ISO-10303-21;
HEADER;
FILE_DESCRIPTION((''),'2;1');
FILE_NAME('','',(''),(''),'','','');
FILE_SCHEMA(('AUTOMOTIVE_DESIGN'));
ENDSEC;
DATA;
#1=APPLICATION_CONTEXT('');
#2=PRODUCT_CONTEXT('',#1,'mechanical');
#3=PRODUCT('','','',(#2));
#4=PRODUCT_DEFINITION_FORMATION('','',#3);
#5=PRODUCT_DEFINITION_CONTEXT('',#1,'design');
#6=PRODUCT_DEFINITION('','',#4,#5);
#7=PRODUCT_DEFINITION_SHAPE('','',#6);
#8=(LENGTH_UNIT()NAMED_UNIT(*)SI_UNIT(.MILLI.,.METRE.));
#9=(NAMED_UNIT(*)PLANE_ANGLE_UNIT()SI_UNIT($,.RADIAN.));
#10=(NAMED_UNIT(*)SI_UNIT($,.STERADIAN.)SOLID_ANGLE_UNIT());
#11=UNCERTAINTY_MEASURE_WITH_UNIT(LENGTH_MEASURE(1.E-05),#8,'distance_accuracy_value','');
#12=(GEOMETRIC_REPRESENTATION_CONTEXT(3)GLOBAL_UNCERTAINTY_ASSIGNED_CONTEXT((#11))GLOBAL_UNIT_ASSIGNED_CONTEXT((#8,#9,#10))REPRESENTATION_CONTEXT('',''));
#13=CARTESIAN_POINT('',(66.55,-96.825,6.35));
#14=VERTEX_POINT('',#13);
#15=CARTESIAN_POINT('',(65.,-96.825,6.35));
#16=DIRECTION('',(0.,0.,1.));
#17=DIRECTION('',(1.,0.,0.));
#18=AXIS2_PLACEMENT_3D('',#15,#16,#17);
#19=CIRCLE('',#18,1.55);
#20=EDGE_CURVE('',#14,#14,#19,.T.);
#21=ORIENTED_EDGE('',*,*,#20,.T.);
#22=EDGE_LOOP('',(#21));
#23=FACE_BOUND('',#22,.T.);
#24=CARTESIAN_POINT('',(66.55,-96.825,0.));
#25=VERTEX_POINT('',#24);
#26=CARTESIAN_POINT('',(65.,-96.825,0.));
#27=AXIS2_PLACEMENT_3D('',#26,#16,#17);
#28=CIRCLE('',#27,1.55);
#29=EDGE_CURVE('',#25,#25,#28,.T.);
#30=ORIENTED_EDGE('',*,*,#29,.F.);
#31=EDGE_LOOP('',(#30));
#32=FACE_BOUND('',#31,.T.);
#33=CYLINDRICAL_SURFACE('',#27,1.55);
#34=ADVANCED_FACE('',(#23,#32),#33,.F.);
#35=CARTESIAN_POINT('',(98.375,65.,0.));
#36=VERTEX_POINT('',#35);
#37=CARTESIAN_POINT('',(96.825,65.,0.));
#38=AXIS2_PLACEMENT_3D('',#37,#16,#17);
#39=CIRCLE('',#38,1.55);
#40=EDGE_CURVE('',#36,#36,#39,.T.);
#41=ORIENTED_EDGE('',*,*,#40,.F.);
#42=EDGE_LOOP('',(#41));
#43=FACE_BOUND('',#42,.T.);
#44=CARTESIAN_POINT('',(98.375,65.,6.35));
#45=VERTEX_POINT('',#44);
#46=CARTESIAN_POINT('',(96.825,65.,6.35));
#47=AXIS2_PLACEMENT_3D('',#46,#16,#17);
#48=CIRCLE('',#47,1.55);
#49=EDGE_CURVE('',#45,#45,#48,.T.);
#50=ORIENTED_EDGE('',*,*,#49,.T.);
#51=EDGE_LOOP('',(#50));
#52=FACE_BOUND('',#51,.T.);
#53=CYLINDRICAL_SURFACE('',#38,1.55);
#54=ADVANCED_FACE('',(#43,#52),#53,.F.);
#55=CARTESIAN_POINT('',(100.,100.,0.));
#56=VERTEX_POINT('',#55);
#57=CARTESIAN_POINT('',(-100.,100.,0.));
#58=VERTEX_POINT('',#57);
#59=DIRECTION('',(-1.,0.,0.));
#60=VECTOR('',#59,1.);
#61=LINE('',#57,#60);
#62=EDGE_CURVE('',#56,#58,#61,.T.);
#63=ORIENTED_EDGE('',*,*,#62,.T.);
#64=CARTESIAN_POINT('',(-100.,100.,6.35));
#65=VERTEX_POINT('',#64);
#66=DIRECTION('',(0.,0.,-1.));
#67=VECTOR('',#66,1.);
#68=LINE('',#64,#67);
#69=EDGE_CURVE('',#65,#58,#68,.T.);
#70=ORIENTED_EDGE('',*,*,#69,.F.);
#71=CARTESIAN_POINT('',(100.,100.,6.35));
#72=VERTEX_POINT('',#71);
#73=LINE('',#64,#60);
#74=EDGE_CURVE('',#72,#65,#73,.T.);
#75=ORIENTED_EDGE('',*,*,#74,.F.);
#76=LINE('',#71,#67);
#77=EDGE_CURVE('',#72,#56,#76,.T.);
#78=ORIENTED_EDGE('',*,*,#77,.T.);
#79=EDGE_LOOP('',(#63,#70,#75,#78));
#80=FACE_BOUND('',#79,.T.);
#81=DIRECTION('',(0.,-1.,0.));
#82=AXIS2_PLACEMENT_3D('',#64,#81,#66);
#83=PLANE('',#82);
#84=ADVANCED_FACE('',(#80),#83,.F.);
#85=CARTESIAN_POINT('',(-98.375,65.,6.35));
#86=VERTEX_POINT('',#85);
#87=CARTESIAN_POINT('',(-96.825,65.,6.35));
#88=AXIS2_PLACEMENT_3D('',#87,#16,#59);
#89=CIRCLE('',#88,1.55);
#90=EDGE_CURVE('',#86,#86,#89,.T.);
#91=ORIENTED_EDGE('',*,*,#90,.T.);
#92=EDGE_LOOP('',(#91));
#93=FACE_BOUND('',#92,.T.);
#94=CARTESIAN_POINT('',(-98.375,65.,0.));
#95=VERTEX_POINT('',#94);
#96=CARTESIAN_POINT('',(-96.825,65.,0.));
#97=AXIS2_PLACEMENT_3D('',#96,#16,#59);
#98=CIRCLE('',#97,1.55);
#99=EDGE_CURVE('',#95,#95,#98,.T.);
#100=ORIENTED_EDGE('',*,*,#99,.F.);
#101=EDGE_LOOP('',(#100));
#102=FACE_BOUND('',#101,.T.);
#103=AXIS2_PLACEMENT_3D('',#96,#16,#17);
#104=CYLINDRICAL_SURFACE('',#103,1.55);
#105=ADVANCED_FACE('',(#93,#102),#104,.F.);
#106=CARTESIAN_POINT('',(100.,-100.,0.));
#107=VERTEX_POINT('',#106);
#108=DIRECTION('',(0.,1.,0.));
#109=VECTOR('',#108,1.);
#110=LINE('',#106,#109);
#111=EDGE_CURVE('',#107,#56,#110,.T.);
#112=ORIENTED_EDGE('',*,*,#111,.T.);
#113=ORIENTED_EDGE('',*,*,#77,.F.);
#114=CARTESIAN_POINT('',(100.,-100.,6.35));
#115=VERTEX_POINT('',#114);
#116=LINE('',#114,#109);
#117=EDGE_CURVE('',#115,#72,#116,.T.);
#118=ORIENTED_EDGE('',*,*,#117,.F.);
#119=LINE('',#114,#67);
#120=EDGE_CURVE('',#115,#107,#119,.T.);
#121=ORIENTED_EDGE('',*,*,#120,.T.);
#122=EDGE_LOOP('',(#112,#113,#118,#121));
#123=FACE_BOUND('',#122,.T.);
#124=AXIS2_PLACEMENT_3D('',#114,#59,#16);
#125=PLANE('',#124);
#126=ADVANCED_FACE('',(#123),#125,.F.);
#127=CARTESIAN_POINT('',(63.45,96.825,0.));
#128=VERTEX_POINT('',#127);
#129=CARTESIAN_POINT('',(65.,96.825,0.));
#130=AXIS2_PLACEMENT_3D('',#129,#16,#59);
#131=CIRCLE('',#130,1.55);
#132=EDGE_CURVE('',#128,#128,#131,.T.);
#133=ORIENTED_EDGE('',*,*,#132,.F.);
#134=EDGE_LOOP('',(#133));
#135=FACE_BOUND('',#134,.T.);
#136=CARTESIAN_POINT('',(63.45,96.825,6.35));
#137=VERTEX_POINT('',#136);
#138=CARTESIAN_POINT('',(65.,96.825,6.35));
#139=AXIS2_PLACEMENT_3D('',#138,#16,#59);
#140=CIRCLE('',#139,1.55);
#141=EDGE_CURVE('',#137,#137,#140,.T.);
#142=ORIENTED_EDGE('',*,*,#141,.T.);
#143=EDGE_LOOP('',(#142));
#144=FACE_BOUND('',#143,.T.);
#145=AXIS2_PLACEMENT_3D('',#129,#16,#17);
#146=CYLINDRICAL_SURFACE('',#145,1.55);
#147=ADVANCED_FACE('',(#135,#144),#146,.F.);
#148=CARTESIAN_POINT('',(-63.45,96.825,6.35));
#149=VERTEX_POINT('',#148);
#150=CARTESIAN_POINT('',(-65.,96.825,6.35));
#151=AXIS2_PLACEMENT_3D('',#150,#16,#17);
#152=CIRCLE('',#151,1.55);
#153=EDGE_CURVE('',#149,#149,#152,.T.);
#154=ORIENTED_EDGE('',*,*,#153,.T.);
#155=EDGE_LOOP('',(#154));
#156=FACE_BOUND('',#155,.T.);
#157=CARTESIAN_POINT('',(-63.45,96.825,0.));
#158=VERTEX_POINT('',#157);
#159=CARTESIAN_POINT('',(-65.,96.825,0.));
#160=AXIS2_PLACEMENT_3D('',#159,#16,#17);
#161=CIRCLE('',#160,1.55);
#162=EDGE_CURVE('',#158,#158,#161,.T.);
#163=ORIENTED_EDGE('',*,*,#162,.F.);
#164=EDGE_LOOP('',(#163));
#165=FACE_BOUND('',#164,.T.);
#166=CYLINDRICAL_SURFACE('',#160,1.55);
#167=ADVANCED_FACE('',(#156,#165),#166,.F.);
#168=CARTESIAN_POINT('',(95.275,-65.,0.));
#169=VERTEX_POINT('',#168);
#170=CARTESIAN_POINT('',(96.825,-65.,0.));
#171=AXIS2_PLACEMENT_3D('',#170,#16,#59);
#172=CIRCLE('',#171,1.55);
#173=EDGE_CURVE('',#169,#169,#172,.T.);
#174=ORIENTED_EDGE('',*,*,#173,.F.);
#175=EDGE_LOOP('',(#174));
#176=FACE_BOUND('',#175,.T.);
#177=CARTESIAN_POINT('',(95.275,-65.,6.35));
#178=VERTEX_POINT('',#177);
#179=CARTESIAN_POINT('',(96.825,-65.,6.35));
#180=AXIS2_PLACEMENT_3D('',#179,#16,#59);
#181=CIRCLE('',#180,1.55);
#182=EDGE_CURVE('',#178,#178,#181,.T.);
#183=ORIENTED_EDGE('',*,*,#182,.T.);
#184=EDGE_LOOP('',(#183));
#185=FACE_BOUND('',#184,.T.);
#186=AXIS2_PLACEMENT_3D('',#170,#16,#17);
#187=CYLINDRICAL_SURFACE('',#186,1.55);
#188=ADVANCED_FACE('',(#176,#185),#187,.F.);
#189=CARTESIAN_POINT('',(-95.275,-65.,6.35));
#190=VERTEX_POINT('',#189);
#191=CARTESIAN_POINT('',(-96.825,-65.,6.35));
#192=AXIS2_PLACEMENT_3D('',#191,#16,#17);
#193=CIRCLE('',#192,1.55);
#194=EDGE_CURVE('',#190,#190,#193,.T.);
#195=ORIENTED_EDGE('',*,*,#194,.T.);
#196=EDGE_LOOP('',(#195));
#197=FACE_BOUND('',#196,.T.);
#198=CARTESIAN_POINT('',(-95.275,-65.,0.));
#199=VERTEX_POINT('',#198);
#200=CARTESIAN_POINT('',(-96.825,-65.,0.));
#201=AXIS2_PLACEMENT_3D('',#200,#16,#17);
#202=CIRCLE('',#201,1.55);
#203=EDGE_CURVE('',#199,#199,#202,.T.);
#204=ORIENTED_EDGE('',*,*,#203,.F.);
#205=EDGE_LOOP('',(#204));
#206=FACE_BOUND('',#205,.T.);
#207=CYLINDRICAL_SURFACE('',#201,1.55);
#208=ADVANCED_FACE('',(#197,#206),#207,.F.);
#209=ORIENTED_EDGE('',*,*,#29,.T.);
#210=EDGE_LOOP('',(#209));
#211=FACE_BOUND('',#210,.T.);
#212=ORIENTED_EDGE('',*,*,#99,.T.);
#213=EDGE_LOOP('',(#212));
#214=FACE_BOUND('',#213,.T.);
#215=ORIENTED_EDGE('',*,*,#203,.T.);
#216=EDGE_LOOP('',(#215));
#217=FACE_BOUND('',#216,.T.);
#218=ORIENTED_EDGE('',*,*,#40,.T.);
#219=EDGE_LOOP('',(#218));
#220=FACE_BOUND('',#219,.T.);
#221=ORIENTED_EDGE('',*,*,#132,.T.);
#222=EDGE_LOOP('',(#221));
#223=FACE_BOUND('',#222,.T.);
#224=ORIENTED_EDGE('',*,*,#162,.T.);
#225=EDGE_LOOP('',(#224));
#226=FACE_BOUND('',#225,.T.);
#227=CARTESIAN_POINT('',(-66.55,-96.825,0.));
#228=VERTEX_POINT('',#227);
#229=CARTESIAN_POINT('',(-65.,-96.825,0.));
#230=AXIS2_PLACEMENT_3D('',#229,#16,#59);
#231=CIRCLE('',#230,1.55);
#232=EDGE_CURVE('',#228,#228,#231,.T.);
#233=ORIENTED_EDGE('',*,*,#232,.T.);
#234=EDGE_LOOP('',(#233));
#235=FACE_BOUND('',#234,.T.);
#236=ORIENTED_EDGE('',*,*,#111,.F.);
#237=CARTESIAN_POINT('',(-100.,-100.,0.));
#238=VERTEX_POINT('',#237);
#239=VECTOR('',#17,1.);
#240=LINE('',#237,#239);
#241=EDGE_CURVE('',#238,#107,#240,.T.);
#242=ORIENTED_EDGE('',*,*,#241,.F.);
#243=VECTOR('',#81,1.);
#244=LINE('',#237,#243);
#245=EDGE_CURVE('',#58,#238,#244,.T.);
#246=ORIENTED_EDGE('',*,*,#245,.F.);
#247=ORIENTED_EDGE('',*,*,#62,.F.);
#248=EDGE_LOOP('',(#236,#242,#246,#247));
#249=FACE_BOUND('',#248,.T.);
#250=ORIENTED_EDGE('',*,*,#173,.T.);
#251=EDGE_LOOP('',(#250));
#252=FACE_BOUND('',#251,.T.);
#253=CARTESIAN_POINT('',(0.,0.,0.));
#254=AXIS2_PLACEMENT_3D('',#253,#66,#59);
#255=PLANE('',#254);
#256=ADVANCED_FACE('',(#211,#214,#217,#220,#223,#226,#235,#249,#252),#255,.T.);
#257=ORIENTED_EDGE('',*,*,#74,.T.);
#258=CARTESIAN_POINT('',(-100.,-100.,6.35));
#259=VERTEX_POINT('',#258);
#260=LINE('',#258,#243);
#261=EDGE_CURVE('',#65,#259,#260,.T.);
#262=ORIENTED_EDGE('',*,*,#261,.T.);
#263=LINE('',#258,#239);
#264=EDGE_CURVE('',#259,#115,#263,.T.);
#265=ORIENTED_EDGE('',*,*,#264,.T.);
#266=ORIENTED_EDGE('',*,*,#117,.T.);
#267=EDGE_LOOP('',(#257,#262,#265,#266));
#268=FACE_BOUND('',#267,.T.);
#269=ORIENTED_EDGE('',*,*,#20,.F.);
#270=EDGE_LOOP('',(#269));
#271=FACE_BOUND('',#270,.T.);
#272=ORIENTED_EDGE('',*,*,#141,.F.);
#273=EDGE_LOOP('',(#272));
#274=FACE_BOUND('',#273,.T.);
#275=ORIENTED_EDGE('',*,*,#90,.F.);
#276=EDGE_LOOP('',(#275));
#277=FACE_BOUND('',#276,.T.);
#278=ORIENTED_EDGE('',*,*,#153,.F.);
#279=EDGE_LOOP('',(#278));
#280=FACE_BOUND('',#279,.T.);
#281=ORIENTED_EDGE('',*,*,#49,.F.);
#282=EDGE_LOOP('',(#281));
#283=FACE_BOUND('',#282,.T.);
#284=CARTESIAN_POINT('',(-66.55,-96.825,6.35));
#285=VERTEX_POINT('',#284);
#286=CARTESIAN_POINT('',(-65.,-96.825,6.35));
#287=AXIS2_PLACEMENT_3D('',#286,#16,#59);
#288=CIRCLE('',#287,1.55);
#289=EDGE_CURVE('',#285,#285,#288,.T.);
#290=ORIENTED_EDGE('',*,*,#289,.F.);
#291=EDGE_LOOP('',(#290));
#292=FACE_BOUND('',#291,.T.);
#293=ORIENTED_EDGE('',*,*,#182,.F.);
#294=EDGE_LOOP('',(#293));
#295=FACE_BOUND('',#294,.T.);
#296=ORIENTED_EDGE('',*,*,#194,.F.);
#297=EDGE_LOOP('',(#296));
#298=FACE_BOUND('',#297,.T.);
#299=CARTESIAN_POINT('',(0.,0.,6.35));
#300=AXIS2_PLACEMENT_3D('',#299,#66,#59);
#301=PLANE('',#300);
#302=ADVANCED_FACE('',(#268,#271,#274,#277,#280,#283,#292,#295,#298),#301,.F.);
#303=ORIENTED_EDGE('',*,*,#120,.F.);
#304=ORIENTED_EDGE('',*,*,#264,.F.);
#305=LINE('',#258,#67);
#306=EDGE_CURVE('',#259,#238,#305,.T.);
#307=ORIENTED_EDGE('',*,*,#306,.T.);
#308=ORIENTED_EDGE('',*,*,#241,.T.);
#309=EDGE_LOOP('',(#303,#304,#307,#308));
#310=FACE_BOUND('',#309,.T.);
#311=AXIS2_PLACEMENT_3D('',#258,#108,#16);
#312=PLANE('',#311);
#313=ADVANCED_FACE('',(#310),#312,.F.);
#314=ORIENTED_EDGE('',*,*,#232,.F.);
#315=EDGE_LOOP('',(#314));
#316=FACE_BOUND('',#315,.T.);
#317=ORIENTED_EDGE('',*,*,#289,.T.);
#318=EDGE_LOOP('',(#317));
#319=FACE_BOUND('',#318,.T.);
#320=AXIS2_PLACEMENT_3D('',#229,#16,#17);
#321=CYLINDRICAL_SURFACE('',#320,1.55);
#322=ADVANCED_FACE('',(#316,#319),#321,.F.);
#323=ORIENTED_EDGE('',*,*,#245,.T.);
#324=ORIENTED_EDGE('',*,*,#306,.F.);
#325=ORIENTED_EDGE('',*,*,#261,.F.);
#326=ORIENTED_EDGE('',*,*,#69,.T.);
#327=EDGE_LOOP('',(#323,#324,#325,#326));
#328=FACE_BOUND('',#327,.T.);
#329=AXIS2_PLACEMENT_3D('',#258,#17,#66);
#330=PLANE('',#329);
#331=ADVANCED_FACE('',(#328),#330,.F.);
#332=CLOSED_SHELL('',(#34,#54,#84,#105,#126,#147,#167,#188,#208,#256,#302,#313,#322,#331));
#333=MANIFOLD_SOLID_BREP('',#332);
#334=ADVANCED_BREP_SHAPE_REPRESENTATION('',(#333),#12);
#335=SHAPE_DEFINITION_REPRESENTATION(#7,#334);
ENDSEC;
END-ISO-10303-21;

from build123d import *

# Parameters (mm, degrees)
SKETCH1_W           = 200
SKETCH1_H           = 200
BOSS_EXTRUDE1_DEPTH = 6.35
SKETCH2_R           = 1.55
CUT_EXTRUDE1_DEPTH  = 7.35


with BuildPart() as part:
    # Sketch1 → Boss-Extrude1 (new body)
    with BuildSketch(Plane.XY):
        Rectangle(SKETCH1_W, SKETCH1_H)
    extrude(amount=BOSS_EXTRUDE1_DEPTH)

    # Sketch2 → Cut-Extrude1 (cut, through all)
    with BuildSketch(Plane.XY.offset(6.35)):
        with Locations((-65, 96.825)):
            Circle(SKETCH2_R)
        with Locations((65, 96.825)):
            Circle(SKETCH2_R)
        with Locations((65, -96.825)):
            Circle(SKETCH2_R)
        with Locations((-65, -96.825)):
            Circle(SKETCH2_R)
        with Locations((96.825, 65)):
            Circle(SKETCH2_R)
        with Locations((96.825, -65)):
            Circle(SKETCH2_R)
        with Locations((-96.825, -65)):
            Circle(SKETCH2_R)
        with Locations((-96.825, 65)):
            Circle(SKETCH2_R)
    extrude(amount=-CUT_EXTRUDE1_DEPTH, mode=Mode.SUBTRACT)


solid = part.part
